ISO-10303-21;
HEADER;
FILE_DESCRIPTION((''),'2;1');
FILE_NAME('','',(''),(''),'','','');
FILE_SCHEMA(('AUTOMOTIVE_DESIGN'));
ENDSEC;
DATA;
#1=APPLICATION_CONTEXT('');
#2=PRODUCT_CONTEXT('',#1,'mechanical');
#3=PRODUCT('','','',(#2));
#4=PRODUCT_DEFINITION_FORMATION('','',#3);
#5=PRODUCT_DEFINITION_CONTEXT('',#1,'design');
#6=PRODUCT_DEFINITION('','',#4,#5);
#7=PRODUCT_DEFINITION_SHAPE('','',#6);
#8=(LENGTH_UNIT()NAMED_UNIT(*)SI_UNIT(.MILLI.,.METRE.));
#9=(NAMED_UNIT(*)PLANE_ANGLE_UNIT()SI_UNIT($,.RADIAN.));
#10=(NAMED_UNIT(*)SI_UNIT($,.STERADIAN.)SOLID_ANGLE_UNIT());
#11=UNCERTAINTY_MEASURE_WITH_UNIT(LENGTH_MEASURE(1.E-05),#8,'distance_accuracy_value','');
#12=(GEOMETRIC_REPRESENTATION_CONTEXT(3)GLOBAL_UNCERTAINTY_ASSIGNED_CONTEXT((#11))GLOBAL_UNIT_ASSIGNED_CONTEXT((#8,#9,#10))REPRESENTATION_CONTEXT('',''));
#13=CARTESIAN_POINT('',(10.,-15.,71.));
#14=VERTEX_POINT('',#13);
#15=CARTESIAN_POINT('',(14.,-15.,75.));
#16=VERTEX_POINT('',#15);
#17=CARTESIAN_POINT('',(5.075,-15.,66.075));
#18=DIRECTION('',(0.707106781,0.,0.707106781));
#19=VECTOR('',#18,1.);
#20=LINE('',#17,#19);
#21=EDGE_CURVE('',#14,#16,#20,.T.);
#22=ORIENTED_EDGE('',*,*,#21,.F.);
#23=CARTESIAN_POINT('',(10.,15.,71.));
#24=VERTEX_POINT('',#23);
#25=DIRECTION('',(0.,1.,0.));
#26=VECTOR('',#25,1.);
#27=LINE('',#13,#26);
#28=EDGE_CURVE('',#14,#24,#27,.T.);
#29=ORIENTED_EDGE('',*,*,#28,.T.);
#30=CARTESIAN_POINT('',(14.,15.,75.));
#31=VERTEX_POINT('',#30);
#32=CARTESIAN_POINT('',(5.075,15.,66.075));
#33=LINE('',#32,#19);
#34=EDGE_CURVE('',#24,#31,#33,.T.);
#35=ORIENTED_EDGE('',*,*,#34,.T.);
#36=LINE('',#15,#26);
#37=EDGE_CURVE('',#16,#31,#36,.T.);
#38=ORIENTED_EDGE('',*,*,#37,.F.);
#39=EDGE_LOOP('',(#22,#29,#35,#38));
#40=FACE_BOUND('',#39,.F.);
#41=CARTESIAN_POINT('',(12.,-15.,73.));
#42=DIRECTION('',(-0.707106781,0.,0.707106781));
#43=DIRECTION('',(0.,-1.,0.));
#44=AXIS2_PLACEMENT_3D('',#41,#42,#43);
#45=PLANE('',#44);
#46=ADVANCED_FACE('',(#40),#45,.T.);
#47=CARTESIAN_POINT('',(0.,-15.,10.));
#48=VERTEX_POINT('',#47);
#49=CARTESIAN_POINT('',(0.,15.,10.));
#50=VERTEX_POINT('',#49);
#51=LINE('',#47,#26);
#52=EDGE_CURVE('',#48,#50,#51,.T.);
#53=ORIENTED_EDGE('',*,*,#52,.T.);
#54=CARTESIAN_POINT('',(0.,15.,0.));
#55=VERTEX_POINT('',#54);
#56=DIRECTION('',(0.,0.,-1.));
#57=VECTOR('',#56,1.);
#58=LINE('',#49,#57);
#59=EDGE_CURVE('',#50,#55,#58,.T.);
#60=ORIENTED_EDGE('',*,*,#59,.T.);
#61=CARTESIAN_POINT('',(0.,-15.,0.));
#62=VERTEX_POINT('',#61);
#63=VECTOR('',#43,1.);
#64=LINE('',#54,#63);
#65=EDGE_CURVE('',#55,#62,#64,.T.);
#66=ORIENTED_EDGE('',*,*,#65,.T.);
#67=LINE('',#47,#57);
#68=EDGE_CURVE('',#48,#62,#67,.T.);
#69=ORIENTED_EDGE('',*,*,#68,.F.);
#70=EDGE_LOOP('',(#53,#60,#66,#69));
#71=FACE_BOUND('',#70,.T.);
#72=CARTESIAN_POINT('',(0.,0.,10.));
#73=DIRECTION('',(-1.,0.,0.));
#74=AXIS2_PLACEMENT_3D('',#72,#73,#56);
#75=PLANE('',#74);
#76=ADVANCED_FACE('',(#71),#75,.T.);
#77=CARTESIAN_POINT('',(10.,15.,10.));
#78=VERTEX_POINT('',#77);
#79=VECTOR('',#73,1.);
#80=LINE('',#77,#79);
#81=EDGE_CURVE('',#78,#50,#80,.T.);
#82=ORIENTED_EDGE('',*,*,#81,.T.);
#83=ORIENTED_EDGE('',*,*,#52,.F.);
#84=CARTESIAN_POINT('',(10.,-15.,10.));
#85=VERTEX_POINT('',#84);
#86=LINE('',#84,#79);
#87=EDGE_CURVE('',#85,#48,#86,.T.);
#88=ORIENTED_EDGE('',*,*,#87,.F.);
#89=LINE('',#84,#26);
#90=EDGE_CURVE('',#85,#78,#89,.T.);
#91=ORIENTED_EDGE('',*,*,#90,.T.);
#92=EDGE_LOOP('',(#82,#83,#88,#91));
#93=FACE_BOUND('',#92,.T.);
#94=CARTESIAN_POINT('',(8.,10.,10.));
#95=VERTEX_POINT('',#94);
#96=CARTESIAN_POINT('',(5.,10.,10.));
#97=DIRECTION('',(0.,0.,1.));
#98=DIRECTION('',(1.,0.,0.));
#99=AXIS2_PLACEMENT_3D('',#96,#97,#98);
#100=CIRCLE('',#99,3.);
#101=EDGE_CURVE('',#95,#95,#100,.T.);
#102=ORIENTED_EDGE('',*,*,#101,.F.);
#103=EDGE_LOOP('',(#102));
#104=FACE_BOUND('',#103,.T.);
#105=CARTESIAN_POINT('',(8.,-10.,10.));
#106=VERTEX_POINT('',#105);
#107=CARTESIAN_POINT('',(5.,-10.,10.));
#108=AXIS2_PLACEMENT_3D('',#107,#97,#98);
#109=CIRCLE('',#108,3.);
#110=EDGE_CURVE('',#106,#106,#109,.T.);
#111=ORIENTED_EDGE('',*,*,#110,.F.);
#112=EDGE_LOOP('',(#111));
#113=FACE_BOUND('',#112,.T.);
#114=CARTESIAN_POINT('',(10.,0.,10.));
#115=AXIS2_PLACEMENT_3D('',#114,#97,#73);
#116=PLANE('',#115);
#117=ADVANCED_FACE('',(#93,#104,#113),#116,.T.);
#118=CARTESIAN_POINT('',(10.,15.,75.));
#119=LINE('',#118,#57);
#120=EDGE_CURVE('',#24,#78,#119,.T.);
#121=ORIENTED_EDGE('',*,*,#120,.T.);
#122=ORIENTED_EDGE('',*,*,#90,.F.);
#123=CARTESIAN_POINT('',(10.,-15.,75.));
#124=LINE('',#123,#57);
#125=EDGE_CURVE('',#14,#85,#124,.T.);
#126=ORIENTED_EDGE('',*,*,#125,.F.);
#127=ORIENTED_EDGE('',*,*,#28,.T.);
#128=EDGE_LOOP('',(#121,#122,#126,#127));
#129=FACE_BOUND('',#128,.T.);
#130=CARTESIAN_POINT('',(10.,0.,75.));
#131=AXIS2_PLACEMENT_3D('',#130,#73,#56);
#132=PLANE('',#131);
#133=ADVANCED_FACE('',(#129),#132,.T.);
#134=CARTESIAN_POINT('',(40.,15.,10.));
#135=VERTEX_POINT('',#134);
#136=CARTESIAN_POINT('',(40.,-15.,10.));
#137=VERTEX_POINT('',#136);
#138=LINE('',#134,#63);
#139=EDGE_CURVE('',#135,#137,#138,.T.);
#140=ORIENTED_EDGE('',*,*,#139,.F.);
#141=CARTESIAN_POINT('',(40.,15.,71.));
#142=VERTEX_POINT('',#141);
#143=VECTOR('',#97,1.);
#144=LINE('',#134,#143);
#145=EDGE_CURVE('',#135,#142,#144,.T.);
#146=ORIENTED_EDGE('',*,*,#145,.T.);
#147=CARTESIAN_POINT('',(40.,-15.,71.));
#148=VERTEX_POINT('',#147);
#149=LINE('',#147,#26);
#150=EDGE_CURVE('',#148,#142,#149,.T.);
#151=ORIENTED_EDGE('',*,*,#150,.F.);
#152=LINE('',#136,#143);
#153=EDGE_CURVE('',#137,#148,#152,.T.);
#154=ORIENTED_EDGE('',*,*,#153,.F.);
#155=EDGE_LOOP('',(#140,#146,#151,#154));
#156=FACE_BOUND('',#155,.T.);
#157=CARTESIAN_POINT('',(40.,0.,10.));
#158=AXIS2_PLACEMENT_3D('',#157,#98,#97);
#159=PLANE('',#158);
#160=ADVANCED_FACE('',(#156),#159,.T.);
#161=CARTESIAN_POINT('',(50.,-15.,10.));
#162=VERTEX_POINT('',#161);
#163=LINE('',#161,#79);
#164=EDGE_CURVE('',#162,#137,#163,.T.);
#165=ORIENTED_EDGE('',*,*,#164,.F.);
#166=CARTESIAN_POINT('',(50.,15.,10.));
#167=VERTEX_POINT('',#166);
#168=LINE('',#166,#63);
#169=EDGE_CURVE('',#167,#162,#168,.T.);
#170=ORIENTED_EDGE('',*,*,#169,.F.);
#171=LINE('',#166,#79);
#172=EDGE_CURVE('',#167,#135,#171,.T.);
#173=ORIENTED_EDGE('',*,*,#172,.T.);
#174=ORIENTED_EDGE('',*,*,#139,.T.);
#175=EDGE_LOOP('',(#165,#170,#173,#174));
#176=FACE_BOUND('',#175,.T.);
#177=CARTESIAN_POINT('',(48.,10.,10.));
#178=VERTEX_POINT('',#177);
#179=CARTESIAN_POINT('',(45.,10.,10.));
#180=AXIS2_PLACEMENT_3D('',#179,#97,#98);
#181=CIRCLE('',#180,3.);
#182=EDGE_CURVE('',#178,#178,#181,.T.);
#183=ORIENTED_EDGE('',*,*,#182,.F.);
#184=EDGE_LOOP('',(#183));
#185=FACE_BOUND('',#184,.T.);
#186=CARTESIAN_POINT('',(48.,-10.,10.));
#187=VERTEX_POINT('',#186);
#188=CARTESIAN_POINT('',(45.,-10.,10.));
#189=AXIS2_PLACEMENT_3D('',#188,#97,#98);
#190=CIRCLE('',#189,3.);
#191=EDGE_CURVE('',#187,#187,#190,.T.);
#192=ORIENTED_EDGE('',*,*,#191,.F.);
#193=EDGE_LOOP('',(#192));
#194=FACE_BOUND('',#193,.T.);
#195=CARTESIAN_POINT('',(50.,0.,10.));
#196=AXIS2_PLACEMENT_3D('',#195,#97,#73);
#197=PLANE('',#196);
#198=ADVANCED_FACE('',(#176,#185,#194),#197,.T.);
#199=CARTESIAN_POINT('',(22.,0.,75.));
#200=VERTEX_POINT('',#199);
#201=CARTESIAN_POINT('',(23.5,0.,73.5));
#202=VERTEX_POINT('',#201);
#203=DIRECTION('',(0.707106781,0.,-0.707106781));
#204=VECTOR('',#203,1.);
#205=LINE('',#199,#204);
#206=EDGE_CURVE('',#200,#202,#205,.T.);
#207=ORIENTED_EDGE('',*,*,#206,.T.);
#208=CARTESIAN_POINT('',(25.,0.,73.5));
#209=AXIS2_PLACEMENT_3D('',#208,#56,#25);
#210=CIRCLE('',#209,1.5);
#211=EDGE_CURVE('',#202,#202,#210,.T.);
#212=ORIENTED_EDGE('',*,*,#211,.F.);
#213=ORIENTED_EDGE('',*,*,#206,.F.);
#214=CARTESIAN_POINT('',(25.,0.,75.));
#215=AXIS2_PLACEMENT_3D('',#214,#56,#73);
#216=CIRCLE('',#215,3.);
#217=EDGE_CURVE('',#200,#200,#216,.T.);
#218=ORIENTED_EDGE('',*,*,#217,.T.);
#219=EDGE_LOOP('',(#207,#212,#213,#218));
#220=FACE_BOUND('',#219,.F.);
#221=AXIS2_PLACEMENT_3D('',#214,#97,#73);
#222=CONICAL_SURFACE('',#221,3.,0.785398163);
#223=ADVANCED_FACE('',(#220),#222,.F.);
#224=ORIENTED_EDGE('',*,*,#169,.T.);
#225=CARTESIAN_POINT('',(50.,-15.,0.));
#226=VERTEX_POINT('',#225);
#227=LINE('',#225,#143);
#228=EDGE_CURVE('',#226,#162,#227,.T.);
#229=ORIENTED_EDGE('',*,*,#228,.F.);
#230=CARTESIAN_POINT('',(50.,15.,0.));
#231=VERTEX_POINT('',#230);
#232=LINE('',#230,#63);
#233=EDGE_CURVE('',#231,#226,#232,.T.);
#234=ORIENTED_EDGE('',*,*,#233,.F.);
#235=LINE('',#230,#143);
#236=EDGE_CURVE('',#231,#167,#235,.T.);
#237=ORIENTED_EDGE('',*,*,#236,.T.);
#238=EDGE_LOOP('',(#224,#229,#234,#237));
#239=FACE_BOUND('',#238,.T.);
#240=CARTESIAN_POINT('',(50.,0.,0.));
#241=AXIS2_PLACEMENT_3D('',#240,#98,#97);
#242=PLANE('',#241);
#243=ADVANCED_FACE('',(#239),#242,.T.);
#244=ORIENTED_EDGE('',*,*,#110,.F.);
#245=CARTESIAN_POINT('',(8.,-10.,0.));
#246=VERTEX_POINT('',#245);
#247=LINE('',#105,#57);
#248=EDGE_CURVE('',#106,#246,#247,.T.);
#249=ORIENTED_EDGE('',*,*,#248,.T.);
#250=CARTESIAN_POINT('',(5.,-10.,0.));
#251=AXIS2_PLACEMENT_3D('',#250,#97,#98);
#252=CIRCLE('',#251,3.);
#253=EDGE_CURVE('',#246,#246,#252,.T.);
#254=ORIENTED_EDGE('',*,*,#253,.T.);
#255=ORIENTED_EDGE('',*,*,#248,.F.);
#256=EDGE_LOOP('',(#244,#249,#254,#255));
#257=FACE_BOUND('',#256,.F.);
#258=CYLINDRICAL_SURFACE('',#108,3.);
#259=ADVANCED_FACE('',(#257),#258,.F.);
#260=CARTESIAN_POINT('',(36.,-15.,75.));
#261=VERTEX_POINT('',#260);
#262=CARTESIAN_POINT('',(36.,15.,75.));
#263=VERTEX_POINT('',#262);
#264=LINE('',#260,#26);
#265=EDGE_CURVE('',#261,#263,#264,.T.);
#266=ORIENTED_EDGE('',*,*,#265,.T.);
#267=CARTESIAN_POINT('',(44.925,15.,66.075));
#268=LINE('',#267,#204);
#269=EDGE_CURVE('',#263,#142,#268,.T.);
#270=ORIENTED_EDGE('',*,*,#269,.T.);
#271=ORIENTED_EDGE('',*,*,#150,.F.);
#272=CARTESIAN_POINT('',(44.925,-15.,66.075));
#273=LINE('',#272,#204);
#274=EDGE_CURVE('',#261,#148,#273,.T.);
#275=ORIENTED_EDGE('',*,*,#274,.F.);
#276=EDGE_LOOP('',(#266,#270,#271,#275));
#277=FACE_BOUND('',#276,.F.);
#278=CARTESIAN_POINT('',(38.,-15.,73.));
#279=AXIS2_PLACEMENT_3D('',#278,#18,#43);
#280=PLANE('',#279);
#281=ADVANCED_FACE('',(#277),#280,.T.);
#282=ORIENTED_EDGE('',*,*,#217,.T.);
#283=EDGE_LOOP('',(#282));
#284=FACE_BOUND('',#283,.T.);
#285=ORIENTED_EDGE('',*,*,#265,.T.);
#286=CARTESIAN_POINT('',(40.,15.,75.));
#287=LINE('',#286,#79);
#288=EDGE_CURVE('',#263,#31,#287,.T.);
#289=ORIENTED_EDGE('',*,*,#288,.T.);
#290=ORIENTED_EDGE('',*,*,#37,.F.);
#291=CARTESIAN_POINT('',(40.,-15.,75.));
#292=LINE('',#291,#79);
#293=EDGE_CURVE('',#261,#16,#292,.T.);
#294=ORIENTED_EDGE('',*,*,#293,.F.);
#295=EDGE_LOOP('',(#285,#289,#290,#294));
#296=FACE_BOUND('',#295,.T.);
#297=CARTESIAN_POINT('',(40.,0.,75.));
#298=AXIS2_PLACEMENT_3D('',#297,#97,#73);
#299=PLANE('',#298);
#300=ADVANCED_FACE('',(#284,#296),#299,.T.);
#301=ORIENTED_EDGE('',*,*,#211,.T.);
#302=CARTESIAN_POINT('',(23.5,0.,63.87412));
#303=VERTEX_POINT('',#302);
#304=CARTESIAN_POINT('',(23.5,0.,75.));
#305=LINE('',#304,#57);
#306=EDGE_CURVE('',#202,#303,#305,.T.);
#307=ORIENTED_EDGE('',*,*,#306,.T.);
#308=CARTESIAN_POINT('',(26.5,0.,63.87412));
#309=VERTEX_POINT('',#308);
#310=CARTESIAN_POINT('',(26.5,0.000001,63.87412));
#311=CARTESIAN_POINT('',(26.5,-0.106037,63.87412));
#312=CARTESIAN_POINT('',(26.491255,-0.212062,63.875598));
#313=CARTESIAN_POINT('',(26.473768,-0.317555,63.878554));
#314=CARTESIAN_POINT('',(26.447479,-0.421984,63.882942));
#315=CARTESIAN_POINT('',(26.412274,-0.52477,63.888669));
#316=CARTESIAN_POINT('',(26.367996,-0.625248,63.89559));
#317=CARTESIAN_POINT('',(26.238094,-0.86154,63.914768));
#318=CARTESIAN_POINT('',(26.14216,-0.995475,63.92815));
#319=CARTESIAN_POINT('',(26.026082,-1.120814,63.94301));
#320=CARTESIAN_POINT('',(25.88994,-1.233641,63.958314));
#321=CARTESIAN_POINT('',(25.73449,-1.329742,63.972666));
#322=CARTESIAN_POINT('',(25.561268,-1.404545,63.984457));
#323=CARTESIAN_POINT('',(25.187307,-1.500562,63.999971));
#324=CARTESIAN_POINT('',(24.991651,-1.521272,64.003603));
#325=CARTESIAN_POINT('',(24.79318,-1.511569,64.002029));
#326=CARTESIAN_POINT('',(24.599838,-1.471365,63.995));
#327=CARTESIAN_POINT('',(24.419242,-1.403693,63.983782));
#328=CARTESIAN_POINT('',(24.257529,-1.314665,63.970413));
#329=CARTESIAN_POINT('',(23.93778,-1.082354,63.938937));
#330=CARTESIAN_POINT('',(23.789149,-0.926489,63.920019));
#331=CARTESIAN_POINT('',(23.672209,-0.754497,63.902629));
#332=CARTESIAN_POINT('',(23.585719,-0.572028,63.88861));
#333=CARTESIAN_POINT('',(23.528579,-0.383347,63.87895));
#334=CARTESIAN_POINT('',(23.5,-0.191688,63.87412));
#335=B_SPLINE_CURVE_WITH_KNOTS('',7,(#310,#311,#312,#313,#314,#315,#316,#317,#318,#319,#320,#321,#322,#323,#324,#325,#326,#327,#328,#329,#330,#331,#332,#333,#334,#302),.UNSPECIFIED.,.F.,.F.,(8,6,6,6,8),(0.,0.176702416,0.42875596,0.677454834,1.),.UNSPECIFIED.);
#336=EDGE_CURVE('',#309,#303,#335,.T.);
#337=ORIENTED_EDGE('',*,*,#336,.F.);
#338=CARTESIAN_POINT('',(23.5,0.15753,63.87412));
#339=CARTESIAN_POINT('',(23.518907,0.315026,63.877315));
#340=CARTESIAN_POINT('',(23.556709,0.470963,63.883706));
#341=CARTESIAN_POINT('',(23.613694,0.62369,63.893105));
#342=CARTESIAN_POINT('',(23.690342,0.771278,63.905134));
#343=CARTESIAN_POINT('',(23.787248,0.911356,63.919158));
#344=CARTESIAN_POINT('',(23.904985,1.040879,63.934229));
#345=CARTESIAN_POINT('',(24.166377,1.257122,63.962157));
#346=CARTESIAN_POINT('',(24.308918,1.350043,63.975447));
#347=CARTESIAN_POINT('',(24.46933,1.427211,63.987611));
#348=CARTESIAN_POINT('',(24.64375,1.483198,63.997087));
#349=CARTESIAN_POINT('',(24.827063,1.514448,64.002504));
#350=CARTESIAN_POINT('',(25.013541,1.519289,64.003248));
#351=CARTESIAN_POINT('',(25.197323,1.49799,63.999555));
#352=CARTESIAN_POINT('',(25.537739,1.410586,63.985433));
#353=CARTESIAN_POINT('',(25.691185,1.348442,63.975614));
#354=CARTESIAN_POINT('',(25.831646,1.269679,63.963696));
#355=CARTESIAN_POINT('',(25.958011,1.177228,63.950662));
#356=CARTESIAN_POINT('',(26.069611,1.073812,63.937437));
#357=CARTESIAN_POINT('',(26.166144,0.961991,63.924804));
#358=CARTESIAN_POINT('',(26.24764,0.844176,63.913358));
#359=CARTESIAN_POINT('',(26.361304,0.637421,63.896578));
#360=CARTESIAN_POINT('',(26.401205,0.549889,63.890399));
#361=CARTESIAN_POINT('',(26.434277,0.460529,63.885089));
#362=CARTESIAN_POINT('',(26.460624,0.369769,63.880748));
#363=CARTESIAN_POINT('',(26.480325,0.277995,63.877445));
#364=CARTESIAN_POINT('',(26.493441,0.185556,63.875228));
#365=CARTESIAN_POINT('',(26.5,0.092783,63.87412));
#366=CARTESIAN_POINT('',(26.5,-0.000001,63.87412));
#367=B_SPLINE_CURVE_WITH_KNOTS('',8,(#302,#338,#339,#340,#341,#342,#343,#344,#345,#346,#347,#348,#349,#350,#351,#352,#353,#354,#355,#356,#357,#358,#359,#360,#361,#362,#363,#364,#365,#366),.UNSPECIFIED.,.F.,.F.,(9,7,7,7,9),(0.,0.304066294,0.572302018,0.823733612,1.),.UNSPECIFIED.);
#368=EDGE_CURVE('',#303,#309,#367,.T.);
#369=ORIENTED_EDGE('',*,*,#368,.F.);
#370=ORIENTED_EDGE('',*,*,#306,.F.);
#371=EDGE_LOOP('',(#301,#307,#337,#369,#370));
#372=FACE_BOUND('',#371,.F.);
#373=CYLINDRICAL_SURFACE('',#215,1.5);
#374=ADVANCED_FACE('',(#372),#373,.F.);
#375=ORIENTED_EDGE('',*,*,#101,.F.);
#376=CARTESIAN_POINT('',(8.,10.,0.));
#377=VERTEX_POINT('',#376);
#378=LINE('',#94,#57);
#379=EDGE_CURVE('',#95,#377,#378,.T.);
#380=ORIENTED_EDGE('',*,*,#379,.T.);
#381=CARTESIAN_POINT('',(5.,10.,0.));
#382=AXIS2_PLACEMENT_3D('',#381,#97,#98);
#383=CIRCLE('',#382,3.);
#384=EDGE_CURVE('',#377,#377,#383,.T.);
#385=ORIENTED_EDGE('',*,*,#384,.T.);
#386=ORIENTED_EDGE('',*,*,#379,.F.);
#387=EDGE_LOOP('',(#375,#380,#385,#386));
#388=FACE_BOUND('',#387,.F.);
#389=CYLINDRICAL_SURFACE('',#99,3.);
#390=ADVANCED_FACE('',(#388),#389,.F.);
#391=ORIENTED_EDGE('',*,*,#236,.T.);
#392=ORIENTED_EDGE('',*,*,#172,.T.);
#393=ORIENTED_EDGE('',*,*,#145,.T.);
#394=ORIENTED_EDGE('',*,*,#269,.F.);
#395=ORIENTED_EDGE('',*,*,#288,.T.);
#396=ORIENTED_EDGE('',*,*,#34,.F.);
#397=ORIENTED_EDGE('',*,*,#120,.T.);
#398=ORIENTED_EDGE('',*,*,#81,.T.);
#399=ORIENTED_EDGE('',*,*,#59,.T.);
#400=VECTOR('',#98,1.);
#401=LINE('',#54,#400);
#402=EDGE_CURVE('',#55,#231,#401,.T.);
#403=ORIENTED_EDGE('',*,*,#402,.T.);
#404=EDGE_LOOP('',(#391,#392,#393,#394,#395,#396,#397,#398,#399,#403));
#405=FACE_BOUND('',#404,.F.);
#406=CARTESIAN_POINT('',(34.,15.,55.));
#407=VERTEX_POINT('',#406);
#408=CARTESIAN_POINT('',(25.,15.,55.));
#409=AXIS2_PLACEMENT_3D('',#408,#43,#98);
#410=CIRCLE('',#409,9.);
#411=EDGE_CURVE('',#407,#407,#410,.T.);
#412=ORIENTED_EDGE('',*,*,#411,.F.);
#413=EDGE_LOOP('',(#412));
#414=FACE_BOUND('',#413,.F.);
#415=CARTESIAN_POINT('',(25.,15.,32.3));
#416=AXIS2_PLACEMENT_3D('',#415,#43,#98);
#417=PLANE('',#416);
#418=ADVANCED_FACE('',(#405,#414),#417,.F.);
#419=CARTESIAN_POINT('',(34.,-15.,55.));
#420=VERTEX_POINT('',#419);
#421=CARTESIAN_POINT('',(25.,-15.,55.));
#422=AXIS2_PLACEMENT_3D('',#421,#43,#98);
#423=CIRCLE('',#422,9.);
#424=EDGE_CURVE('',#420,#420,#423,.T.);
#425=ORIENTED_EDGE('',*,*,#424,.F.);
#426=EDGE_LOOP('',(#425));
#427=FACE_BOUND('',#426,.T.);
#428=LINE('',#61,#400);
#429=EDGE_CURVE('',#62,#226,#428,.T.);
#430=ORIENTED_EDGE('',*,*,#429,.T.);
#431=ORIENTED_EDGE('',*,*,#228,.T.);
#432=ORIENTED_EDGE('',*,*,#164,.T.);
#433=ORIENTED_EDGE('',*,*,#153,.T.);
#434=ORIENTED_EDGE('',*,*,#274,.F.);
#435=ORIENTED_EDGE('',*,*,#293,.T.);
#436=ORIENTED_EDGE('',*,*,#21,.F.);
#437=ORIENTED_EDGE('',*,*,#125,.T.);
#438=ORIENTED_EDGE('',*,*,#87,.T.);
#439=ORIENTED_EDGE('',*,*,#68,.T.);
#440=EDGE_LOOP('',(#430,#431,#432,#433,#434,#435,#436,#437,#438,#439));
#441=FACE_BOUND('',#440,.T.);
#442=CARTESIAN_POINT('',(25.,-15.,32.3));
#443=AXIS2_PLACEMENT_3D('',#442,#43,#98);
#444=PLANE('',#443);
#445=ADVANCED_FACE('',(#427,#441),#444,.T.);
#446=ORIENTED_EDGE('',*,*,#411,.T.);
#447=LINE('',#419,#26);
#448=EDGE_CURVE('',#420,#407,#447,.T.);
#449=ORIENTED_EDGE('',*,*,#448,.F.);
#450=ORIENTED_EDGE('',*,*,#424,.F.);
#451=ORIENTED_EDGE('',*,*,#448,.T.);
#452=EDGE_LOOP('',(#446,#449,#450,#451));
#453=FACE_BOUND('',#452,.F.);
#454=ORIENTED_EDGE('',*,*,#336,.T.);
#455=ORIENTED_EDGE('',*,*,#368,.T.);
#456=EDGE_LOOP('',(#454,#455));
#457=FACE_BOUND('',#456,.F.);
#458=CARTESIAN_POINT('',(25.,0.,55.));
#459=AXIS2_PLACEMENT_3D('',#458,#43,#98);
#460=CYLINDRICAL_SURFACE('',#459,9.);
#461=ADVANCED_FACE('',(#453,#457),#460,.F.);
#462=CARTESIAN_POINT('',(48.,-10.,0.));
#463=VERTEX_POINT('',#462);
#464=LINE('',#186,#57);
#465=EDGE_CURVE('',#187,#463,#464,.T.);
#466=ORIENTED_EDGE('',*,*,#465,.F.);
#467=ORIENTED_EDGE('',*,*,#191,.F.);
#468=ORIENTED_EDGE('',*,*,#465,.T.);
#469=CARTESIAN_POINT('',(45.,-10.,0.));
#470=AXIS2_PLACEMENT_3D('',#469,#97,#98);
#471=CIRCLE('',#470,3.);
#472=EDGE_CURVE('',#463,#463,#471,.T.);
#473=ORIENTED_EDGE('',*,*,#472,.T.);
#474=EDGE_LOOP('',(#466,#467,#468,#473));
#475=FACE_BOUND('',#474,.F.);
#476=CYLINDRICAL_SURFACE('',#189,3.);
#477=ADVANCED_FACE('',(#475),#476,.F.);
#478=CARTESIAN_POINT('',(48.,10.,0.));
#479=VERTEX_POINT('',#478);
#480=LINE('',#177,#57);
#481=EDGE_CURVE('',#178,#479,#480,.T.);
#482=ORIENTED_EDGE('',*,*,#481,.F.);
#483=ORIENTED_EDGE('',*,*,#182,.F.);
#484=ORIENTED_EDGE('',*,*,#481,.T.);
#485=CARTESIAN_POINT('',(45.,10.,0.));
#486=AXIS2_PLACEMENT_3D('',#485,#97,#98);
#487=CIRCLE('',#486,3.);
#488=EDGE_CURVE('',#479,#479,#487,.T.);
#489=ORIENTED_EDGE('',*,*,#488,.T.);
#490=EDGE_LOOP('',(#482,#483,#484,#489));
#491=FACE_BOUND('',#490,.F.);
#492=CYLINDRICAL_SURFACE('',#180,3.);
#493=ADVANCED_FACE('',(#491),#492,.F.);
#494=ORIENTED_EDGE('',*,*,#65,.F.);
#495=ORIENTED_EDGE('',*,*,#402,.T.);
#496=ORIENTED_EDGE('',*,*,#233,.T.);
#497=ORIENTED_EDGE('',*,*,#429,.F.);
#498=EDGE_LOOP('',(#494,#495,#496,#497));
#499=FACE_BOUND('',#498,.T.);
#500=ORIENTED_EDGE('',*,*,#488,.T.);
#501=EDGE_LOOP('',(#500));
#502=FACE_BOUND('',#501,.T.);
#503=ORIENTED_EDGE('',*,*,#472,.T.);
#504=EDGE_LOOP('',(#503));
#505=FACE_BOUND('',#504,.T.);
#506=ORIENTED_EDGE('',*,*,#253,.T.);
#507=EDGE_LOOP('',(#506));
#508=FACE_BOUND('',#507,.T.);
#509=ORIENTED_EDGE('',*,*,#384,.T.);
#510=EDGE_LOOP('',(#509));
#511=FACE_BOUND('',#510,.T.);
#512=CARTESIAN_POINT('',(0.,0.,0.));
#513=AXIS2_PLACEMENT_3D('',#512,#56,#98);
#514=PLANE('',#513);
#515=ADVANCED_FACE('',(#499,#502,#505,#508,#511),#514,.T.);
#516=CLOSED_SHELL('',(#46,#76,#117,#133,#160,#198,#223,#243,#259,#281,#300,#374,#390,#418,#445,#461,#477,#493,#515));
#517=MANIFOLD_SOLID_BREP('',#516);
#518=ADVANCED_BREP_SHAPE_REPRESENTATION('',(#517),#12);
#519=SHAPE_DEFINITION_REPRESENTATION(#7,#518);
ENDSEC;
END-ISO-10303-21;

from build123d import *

# Parameters (mm, degrees)
F0_R           = 9
F1_DEPTH       = 15
F1_DEPTH_BACK  = 15
F3_D           = 3
F3_DEPTH       = 20
F3_CSINK_D     = 6
F3_CSINK_ANGLE = 90
F4_R           = 3
F5_DEPTH       = 10
F6_SIZE        = 4


with BuildPart() as f1:
    # F0 (on Front) → F1 (new body, two sides)
    with BuildSketch(Plane.XZ) as f1_sk:
        Polygon((0, 10), (0, 0), (50, 0), (50, 10), (40, 10), (40, 75), (10, 75), (10, 10), align=None)
        with Locations((25, 55)):
            Circle(F0_R, mode=Mode.SUBTRACT)
    extrude(amount=F1_DEPTH)
    extrude(f1_sk.sketch, amount=-F1_DEPTH_BACK)

    # F3
    with Locations(Plane.XY.offset(75)):
        with Locations((25, 0)):
            CounterSinkHole(F3_D / 2, F3_CSINK_D / 2, depth=F3_DEPTH, counter_sink_angle=F3_CSINK_ANGLE)

    # F4 (on face) → F5 (cut)
    with BuildSketch(Plane.XY.offset(10)):
        with Locations((5, 10)):
            Circle(F4_R)
        with Locations((5, -10)):
            Circle(F4_R)
        with Locations((45, -10)):
            Circle(F4_R)
        with Locations((45, 10)):
            Circle(F4_R)
    extrude(amount=-F5_DEPTH, mode=Mode.SUBTRACT)

    # F6
    f6_edges = [f1.edges().sort_by_distance(p)[0] for p in [
        (40, 0, 75),
        (10, 0, 75),
    ]]
    chamfer(f6_edges, length=F6_SIZE)


solid = f1.part
